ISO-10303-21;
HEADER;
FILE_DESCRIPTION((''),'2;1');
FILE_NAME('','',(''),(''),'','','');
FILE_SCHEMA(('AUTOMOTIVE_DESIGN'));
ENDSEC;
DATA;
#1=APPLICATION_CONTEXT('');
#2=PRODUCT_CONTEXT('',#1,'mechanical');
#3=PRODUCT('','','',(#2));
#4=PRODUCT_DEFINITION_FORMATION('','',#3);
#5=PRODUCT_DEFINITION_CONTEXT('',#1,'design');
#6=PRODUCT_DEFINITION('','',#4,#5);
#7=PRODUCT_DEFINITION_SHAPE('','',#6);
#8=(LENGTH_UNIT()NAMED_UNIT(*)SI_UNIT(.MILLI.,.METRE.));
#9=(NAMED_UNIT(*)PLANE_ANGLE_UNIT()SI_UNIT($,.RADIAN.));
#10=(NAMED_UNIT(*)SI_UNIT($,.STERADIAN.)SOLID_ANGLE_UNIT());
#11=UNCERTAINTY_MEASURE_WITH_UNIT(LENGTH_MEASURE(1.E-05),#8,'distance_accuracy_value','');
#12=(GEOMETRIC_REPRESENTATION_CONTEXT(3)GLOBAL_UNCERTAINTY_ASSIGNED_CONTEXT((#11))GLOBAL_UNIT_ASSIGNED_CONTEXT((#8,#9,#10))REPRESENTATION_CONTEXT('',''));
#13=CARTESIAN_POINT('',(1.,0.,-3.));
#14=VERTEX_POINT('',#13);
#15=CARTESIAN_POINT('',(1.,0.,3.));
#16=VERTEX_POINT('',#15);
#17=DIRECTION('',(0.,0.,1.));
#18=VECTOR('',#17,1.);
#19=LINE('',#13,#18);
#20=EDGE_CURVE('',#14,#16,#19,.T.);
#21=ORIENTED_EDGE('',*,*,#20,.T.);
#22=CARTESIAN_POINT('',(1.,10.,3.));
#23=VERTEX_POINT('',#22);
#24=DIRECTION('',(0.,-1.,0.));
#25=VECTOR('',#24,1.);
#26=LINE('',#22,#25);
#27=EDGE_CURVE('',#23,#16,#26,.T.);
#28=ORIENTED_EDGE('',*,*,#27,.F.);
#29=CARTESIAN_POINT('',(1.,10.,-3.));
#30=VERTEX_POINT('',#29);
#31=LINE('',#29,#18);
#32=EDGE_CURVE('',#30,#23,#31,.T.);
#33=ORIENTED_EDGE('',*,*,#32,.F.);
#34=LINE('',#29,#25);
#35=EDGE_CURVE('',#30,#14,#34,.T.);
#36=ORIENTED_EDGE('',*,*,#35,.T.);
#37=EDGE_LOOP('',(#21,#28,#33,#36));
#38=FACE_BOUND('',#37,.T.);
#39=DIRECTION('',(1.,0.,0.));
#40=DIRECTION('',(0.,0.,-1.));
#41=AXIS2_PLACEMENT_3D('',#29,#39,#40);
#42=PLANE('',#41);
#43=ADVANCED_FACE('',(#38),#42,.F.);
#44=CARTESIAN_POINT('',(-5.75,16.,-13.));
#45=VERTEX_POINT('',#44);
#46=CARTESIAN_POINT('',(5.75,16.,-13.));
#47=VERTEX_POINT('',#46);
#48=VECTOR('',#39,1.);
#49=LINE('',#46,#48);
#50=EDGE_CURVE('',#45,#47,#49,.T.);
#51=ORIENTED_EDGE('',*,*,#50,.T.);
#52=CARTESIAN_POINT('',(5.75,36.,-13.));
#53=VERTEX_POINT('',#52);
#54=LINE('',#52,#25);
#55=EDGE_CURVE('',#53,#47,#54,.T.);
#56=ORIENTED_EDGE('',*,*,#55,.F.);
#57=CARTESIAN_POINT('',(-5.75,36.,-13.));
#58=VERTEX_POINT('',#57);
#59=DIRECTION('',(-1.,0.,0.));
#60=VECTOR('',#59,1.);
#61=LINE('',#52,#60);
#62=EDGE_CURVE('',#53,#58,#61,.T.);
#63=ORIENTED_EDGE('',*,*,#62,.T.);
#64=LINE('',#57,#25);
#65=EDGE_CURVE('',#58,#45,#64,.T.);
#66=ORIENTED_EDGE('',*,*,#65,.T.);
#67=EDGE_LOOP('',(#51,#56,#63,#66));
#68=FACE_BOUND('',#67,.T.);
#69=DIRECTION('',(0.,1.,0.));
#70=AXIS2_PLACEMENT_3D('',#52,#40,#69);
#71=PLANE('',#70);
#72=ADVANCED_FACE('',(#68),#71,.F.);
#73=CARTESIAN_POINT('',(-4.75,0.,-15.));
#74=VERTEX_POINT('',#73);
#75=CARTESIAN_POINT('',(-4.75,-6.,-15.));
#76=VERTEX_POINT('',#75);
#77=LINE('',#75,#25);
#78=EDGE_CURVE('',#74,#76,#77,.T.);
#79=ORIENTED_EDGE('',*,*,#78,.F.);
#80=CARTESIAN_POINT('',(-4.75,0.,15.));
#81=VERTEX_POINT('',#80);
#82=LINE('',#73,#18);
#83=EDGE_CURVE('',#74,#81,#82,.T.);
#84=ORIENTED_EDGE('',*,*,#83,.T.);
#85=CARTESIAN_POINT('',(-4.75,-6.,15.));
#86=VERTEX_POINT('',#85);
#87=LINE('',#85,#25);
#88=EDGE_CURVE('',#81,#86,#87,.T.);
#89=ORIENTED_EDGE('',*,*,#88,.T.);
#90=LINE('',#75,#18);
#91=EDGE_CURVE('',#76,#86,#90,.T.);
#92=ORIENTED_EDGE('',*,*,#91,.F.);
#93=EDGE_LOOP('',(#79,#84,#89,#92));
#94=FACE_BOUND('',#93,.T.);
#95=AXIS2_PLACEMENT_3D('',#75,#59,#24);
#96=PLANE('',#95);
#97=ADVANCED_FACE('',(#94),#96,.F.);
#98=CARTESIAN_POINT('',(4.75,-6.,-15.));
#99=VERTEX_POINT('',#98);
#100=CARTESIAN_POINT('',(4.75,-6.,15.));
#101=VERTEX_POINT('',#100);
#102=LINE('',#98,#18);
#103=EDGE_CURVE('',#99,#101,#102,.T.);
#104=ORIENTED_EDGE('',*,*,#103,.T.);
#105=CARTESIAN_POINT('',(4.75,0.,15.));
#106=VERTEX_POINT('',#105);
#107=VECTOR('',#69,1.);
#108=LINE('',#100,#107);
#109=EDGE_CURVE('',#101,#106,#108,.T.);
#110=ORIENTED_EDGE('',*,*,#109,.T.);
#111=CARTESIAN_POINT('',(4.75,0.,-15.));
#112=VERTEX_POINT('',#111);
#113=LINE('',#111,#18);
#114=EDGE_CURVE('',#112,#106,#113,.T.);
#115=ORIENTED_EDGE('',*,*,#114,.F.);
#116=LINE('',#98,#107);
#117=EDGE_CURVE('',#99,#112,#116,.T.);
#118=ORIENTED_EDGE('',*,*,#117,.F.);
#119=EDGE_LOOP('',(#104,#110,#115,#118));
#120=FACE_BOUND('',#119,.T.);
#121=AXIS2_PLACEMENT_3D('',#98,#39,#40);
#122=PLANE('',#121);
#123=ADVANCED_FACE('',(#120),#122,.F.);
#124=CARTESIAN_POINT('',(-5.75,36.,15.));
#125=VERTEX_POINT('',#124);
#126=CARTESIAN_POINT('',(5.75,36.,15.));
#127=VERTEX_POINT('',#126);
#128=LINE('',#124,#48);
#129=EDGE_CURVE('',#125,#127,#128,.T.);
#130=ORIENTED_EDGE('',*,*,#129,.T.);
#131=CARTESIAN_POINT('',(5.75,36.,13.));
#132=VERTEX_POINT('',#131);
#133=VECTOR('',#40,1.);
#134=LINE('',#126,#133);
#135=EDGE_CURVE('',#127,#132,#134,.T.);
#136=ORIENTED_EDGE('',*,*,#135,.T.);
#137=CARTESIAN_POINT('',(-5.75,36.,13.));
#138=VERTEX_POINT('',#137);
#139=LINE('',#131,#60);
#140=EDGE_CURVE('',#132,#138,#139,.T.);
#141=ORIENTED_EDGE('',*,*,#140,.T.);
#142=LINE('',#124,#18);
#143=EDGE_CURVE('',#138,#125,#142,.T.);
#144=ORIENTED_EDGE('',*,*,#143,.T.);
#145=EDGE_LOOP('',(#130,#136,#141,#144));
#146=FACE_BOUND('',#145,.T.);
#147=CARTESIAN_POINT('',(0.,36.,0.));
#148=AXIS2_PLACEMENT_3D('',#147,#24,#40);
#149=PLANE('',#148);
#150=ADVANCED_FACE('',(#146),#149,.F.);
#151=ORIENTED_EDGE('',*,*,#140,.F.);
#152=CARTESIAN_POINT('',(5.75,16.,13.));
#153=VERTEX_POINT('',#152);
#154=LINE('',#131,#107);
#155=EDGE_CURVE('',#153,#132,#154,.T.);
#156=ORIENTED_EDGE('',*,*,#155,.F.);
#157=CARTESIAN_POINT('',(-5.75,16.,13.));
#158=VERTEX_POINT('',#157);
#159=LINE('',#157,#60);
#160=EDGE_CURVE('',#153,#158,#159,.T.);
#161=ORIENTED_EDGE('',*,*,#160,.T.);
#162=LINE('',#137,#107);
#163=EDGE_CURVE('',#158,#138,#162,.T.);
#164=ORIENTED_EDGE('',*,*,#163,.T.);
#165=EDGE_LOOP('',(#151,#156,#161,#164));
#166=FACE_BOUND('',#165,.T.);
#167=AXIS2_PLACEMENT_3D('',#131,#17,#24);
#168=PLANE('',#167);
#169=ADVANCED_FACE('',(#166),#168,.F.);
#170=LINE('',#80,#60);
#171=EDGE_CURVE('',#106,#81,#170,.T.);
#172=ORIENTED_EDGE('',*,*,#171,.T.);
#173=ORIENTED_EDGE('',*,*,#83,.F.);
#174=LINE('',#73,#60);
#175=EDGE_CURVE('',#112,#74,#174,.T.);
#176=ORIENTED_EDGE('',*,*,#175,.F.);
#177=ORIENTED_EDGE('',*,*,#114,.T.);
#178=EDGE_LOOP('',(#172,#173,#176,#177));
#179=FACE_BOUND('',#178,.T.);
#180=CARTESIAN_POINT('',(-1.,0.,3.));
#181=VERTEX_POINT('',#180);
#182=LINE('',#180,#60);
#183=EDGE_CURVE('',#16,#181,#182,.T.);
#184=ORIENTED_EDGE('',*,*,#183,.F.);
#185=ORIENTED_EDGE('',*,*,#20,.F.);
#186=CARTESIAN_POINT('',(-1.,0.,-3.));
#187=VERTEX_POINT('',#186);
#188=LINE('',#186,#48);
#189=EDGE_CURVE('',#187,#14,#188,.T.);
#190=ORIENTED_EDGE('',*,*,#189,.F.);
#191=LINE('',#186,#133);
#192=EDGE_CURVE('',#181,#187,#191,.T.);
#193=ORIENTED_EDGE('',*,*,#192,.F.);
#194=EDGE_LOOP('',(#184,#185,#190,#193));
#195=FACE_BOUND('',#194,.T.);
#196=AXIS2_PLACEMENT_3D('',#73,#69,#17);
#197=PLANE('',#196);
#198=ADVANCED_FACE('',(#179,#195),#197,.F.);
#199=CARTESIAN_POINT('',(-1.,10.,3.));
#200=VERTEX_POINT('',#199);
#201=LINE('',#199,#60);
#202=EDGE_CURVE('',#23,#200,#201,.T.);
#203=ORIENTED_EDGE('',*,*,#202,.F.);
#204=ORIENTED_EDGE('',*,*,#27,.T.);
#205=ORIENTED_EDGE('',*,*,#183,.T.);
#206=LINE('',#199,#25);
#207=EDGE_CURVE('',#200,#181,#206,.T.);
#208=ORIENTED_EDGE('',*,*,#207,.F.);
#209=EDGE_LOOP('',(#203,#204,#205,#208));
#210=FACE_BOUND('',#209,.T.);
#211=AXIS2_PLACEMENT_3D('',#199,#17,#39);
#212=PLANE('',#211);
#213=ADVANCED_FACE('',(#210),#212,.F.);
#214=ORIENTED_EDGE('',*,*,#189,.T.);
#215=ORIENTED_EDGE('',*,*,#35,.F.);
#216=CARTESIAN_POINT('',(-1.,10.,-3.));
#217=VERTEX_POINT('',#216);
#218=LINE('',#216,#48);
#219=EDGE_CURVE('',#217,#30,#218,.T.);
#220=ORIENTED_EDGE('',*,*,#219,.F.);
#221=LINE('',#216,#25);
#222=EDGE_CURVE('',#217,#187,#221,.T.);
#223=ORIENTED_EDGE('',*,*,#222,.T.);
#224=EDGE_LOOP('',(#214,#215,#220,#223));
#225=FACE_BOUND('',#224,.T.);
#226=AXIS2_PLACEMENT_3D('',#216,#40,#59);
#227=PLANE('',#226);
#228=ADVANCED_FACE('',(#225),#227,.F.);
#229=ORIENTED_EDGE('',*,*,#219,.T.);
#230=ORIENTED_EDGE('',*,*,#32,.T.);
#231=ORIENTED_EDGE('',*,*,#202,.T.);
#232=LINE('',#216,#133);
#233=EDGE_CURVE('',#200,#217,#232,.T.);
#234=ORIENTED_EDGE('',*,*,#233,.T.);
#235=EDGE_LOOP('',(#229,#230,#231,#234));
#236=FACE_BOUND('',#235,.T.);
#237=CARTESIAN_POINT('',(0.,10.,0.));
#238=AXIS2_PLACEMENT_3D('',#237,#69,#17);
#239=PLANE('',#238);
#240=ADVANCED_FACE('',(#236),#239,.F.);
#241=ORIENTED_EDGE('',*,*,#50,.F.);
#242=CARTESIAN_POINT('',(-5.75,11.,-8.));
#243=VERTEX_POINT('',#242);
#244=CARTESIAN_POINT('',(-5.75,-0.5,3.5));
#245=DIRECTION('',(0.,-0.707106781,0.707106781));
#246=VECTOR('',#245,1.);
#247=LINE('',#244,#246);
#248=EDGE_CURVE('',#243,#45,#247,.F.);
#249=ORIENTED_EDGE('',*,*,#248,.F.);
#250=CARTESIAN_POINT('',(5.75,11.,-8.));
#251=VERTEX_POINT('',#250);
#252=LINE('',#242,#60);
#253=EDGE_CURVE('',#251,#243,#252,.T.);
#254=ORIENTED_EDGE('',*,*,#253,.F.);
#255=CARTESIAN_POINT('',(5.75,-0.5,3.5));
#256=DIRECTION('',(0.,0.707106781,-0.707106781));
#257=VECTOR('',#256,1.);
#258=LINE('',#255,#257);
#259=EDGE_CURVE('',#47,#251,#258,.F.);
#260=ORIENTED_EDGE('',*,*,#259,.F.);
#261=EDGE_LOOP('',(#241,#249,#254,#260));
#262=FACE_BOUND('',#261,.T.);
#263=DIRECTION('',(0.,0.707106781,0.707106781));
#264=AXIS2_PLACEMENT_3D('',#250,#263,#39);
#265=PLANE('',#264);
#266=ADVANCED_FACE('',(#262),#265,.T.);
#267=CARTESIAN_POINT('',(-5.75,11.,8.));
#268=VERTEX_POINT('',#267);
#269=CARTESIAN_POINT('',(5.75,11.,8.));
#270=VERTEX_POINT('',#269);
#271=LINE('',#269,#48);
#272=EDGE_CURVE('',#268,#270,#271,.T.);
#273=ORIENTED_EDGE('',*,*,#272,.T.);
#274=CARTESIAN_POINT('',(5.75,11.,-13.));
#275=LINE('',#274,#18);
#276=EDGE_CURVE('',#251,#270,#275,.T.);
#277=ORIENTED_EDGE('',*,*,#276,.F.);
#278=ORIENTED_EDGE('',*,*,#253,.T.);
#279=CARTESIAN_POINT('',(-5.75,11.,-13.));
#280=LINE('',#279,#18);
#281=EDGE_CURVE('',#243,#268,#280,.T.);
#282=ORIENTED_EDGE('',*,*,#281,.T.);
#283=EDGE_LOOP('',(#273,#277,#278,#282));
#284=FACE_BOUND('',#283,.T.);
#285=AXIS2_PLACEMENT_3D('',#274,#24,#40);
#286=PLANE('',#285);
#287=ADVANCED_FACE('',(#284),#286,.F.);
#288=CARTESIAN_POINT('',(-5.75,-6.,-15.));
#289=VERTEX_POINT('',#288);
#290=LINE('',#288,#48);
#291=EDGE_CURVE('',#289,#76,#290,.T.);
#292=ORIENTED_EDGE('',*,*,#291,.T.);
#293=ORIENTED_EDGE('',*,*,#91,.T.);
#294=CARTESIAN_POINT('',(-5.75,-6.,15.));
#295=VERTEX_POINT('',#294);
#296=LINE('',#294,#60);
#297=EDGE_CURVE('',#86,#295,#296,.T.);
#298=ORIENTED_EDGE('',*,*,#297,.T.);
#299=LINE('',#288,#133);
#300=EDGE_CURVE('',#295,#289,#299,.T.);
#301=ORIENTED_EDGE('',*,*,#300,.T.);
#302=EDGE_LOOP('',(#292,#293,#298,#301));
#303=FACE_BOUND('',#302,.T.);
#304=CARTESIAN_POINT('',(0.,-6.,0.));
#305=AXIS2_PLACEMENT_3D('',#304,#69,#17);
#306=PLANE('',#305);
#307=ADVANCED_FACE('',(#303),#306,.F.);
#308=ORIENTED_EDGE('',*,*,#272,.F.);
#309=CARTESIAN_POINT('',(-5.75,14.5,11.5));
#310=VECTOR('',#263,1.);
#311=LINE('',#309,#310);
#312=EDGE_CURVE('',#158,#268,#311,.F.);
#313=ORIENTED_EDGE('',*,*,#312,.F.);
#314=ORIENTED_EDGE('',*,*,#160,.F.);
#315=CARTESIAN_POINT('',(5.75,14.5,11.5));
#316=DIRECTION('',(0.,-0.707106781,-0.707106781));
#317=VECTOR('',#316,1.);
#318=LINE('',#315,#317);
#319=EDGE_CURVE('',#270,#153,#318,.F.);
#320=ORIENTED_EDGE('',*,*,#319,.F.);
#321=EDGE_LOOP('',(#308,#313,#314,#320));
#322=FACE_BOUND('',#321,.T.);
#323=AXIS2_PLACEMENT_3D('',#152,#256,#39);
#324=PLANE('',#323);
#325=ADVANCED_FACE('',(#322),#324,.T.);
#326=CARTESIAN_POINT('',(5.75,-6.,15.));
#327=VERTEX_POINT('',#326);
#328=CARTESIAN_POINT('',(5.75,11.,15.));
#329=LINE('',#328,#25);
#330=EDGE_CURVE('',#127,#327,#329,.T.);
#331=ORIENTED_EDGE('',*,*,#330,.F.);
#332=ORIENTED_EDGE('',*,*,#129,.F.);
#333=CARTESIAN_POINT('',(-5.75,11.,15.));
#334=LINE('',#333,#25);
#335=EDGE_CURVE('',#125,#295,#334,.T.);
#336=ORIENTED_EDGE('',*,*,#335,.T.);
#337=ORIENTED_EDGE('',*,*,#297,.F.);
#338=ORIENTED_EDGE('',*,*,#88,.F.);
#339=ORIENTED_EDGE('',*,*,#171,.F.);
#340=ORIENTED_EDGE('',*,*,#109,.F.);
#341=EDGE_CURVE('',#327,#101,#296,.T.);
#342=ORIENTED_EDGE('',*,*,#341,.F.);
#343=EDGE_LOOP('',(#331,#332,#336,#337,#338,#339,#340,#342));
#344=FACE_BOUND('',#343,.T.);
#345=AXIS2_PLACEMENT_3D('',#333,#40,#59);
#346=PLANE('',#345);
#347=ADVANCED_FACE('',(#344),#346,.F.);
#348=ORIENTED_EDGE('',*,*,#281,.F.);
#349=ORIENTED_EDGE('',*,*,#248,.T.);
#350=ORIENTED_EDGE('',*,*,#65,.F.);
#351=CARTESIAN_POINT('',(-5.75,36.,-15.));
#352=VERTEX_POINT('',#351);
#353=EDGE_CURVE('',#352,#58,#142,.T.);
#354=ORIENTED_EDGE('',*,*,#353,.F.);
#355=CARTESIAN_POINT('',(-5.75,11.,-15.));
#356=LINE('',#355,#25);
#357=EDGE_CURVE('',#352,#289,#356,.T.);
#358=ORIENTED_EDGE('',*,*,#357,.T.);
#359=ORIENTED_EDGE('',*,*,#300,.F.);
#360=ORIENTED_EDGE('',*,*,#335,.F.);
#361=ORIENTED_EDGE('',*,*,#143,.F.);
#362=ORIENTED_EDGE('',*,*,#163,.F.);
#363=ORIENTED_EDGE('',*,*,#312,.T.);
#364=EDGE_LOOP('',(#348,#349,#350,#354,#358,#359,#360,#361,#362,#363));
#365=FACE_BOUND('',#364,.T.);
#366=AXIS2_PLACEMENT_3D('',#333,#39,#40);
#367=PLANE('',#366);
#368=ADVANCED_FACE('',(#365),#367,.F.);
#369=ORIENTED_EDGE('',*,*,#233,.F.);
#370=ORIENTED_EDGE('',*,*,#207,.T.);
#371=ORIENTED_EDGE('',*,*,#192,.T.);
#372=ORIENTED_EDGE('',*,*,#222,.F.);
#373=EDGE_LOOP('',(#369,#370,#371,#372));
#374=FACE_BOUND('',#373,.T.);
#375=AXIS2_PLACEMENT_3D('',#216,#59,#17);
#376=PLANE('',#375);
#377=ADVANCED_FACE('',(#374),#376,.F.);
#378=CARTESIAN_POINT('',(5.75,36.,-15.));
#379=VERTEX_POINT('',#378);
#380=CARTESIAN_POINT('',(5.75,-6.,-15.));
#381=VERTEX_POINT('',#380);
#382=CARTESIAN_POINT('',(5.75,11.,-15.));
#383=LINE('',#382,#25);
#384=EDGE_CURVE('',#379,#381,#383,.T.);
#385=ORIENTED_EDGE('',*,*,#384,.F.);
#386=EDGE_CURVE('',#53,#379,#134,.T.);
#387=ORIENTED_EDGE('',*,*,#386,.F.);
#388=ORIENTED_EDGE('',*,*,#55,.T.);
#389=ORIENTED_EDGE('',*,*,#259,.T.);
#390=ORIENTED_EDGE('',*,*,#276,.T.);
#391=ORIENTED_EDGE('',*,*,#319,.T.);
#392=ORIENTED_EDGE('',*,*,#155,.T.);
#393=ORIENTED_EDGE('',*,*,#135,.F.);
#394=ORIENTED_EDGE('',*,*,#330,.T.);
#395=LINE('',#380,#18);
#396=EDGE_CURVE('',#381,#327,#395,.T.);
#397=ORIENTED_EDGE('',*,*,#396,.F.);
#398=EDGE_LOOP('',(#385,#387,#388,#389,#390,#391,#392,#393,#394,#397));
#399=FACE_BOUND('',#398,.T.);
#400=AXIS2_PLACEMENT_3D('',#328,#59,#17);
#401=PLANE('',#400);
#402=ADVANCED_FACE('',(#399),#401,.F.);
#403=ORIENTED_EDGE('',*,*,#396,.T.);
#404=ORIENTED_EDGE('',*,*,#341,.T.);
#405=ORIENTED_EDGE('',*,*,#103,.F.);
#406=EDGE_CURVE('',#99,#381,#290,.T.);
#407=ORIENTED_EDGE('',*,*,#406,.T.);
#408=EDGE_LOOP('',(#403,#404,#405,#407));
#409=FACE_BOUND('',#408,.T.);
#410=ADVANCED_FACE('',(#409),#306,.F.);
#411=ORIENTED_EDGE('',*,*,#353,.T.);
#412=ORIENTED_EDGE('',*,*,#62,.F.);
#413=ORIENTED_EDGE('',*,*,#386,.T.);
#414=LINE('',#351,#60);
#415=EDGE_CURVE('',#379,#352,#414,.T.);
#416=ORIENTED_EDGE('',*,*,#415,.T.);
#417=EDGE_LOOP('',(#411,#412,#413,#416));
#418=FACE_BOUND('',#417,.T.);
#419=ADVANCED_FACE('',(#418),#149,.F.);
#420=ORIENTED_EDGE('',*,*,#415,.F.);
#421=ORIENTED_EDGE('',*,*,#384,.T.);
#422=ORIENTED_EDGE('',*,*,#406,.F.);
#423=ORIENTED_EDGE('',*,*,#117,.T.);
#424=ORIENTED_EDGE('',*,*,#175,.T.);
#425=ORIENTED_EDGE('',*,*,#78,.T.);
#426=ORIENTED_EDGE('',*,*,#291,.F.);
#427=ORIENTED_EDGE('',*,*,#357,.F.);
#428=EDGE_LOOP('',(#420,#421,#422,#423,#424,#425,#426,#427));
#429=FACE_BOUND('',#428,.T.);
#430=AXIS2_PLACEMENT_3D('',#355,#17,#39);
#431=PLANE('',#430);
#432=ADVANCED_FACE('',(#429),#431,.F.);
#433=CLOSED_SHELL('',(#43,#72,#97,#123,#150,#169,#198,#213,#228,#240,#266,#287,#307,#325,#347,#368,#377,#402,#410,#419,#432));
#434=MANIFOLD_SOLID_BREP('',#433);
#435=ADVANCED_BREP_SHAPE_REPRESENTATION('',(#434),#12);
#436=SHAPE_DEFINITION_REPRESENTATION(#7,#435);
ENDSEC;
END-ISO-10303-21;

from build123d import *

# Parameters (mm, degrees)
SKETCH1_W           = 11.5
SKETCH1_H           = 30
BOSS_EXTRUDE1_DEPTH = 11
SKETCH3_W           = 11.5
SKETCH3_H           = 30
BOSS_EXTRUDE3_DEPTH = 6
SKETCH4_W           = 9.5
SKETCH4_H           = 6
CUT_EXTRUDE1_DEPTH  = 33.466328711
SKETCH7_W           = 2
SKETCH7_H           = 6
CUT_EXTRUDE2_DEPTH  = 10
SKETCH8_W           = 11.5
SKETCH8_H           = 30
BOSS_EXTRUDE4_DEPTH = 25
SKETCH9_W           = 26
SKETCH9_H           = 25
CUT_EXTRUDE3_DEPTH  = 41.660177078
CHAMFER1_SIZE       = 5


with BuildPart() as part:
    # Sketch1 → Boss-Extrude1 (new body)
    with BuildSketch(Plane(origin=(0, 0, 0), x_dir=(1, 0, 0), z_dir=(0, 1, 0))):
        Rectangle(SKETCH1_W, SKETCH1_H)
    extrude(amount=BOSS_EXTRUDE1_DEPTH)

    # Sketch3 → Boss-Extrude3 (add)
    with BuildSketch(Plane.XZ):
        Rectangle(SKETCH3_W, SKETCH3_H)
    extrude(amount=BOSS_EXTRUDE3_DEPTH)

    # Sketch4 → Cut-Extrude1 (cut, through all)
    with BuildSketch(Plane.XY.offset(15)):
        with Locations((0, -3)):
            Rectangle(SKETCH4_W, SKETCH4_H)
    extrude(amount=-CUT_EXTRUDE1_DEPTH, mode=Mode.SUBTRACT)

    # Sketch7 → Cut-Extrude2 (cut)
    with BuildSketch(Plane.XZ):
        Rectangle(SKETCH7_W, SKETCH7_H)
    extrude(amount=-CUT_EXTRUDE2_DEPTH, mode=Mode.SUBTRACT)

    # Sketch8 → Boss-Extrude4 (add)
    with BuildSketch(Plane(origin=(0, 11, 0), x_dir=(1, 0, 0), z_dir=(0, 1, 0))):
        Rectangle(SKETCH8_W, SKETCH8_H)
    extrude(amount=BOSS_EXTRUDE4_DEPTH)

    # Sketch9 → Cut-Extrude3 (cut, through all)
    with BuildSketch(Plane.ZY.offset(5.75)):
        with Locations((0, 23.5)):
            Rectangle(SKETCH9_W, SKETCH9_H)
    extrude(amount=-CUT_EXTRUDE3_DEPTH, mode=Mode.SUBTRACT)

    # Chamfer1
    chamfer1_edges = [part.edges().sort_by_distance(p)[0] for p in [
        (0, 11, -13),
        (0, 11, 13),
    ]]
    chamfer(chamfer1_edges, length=CHAMFER1_SIZE)


solid = part.part
